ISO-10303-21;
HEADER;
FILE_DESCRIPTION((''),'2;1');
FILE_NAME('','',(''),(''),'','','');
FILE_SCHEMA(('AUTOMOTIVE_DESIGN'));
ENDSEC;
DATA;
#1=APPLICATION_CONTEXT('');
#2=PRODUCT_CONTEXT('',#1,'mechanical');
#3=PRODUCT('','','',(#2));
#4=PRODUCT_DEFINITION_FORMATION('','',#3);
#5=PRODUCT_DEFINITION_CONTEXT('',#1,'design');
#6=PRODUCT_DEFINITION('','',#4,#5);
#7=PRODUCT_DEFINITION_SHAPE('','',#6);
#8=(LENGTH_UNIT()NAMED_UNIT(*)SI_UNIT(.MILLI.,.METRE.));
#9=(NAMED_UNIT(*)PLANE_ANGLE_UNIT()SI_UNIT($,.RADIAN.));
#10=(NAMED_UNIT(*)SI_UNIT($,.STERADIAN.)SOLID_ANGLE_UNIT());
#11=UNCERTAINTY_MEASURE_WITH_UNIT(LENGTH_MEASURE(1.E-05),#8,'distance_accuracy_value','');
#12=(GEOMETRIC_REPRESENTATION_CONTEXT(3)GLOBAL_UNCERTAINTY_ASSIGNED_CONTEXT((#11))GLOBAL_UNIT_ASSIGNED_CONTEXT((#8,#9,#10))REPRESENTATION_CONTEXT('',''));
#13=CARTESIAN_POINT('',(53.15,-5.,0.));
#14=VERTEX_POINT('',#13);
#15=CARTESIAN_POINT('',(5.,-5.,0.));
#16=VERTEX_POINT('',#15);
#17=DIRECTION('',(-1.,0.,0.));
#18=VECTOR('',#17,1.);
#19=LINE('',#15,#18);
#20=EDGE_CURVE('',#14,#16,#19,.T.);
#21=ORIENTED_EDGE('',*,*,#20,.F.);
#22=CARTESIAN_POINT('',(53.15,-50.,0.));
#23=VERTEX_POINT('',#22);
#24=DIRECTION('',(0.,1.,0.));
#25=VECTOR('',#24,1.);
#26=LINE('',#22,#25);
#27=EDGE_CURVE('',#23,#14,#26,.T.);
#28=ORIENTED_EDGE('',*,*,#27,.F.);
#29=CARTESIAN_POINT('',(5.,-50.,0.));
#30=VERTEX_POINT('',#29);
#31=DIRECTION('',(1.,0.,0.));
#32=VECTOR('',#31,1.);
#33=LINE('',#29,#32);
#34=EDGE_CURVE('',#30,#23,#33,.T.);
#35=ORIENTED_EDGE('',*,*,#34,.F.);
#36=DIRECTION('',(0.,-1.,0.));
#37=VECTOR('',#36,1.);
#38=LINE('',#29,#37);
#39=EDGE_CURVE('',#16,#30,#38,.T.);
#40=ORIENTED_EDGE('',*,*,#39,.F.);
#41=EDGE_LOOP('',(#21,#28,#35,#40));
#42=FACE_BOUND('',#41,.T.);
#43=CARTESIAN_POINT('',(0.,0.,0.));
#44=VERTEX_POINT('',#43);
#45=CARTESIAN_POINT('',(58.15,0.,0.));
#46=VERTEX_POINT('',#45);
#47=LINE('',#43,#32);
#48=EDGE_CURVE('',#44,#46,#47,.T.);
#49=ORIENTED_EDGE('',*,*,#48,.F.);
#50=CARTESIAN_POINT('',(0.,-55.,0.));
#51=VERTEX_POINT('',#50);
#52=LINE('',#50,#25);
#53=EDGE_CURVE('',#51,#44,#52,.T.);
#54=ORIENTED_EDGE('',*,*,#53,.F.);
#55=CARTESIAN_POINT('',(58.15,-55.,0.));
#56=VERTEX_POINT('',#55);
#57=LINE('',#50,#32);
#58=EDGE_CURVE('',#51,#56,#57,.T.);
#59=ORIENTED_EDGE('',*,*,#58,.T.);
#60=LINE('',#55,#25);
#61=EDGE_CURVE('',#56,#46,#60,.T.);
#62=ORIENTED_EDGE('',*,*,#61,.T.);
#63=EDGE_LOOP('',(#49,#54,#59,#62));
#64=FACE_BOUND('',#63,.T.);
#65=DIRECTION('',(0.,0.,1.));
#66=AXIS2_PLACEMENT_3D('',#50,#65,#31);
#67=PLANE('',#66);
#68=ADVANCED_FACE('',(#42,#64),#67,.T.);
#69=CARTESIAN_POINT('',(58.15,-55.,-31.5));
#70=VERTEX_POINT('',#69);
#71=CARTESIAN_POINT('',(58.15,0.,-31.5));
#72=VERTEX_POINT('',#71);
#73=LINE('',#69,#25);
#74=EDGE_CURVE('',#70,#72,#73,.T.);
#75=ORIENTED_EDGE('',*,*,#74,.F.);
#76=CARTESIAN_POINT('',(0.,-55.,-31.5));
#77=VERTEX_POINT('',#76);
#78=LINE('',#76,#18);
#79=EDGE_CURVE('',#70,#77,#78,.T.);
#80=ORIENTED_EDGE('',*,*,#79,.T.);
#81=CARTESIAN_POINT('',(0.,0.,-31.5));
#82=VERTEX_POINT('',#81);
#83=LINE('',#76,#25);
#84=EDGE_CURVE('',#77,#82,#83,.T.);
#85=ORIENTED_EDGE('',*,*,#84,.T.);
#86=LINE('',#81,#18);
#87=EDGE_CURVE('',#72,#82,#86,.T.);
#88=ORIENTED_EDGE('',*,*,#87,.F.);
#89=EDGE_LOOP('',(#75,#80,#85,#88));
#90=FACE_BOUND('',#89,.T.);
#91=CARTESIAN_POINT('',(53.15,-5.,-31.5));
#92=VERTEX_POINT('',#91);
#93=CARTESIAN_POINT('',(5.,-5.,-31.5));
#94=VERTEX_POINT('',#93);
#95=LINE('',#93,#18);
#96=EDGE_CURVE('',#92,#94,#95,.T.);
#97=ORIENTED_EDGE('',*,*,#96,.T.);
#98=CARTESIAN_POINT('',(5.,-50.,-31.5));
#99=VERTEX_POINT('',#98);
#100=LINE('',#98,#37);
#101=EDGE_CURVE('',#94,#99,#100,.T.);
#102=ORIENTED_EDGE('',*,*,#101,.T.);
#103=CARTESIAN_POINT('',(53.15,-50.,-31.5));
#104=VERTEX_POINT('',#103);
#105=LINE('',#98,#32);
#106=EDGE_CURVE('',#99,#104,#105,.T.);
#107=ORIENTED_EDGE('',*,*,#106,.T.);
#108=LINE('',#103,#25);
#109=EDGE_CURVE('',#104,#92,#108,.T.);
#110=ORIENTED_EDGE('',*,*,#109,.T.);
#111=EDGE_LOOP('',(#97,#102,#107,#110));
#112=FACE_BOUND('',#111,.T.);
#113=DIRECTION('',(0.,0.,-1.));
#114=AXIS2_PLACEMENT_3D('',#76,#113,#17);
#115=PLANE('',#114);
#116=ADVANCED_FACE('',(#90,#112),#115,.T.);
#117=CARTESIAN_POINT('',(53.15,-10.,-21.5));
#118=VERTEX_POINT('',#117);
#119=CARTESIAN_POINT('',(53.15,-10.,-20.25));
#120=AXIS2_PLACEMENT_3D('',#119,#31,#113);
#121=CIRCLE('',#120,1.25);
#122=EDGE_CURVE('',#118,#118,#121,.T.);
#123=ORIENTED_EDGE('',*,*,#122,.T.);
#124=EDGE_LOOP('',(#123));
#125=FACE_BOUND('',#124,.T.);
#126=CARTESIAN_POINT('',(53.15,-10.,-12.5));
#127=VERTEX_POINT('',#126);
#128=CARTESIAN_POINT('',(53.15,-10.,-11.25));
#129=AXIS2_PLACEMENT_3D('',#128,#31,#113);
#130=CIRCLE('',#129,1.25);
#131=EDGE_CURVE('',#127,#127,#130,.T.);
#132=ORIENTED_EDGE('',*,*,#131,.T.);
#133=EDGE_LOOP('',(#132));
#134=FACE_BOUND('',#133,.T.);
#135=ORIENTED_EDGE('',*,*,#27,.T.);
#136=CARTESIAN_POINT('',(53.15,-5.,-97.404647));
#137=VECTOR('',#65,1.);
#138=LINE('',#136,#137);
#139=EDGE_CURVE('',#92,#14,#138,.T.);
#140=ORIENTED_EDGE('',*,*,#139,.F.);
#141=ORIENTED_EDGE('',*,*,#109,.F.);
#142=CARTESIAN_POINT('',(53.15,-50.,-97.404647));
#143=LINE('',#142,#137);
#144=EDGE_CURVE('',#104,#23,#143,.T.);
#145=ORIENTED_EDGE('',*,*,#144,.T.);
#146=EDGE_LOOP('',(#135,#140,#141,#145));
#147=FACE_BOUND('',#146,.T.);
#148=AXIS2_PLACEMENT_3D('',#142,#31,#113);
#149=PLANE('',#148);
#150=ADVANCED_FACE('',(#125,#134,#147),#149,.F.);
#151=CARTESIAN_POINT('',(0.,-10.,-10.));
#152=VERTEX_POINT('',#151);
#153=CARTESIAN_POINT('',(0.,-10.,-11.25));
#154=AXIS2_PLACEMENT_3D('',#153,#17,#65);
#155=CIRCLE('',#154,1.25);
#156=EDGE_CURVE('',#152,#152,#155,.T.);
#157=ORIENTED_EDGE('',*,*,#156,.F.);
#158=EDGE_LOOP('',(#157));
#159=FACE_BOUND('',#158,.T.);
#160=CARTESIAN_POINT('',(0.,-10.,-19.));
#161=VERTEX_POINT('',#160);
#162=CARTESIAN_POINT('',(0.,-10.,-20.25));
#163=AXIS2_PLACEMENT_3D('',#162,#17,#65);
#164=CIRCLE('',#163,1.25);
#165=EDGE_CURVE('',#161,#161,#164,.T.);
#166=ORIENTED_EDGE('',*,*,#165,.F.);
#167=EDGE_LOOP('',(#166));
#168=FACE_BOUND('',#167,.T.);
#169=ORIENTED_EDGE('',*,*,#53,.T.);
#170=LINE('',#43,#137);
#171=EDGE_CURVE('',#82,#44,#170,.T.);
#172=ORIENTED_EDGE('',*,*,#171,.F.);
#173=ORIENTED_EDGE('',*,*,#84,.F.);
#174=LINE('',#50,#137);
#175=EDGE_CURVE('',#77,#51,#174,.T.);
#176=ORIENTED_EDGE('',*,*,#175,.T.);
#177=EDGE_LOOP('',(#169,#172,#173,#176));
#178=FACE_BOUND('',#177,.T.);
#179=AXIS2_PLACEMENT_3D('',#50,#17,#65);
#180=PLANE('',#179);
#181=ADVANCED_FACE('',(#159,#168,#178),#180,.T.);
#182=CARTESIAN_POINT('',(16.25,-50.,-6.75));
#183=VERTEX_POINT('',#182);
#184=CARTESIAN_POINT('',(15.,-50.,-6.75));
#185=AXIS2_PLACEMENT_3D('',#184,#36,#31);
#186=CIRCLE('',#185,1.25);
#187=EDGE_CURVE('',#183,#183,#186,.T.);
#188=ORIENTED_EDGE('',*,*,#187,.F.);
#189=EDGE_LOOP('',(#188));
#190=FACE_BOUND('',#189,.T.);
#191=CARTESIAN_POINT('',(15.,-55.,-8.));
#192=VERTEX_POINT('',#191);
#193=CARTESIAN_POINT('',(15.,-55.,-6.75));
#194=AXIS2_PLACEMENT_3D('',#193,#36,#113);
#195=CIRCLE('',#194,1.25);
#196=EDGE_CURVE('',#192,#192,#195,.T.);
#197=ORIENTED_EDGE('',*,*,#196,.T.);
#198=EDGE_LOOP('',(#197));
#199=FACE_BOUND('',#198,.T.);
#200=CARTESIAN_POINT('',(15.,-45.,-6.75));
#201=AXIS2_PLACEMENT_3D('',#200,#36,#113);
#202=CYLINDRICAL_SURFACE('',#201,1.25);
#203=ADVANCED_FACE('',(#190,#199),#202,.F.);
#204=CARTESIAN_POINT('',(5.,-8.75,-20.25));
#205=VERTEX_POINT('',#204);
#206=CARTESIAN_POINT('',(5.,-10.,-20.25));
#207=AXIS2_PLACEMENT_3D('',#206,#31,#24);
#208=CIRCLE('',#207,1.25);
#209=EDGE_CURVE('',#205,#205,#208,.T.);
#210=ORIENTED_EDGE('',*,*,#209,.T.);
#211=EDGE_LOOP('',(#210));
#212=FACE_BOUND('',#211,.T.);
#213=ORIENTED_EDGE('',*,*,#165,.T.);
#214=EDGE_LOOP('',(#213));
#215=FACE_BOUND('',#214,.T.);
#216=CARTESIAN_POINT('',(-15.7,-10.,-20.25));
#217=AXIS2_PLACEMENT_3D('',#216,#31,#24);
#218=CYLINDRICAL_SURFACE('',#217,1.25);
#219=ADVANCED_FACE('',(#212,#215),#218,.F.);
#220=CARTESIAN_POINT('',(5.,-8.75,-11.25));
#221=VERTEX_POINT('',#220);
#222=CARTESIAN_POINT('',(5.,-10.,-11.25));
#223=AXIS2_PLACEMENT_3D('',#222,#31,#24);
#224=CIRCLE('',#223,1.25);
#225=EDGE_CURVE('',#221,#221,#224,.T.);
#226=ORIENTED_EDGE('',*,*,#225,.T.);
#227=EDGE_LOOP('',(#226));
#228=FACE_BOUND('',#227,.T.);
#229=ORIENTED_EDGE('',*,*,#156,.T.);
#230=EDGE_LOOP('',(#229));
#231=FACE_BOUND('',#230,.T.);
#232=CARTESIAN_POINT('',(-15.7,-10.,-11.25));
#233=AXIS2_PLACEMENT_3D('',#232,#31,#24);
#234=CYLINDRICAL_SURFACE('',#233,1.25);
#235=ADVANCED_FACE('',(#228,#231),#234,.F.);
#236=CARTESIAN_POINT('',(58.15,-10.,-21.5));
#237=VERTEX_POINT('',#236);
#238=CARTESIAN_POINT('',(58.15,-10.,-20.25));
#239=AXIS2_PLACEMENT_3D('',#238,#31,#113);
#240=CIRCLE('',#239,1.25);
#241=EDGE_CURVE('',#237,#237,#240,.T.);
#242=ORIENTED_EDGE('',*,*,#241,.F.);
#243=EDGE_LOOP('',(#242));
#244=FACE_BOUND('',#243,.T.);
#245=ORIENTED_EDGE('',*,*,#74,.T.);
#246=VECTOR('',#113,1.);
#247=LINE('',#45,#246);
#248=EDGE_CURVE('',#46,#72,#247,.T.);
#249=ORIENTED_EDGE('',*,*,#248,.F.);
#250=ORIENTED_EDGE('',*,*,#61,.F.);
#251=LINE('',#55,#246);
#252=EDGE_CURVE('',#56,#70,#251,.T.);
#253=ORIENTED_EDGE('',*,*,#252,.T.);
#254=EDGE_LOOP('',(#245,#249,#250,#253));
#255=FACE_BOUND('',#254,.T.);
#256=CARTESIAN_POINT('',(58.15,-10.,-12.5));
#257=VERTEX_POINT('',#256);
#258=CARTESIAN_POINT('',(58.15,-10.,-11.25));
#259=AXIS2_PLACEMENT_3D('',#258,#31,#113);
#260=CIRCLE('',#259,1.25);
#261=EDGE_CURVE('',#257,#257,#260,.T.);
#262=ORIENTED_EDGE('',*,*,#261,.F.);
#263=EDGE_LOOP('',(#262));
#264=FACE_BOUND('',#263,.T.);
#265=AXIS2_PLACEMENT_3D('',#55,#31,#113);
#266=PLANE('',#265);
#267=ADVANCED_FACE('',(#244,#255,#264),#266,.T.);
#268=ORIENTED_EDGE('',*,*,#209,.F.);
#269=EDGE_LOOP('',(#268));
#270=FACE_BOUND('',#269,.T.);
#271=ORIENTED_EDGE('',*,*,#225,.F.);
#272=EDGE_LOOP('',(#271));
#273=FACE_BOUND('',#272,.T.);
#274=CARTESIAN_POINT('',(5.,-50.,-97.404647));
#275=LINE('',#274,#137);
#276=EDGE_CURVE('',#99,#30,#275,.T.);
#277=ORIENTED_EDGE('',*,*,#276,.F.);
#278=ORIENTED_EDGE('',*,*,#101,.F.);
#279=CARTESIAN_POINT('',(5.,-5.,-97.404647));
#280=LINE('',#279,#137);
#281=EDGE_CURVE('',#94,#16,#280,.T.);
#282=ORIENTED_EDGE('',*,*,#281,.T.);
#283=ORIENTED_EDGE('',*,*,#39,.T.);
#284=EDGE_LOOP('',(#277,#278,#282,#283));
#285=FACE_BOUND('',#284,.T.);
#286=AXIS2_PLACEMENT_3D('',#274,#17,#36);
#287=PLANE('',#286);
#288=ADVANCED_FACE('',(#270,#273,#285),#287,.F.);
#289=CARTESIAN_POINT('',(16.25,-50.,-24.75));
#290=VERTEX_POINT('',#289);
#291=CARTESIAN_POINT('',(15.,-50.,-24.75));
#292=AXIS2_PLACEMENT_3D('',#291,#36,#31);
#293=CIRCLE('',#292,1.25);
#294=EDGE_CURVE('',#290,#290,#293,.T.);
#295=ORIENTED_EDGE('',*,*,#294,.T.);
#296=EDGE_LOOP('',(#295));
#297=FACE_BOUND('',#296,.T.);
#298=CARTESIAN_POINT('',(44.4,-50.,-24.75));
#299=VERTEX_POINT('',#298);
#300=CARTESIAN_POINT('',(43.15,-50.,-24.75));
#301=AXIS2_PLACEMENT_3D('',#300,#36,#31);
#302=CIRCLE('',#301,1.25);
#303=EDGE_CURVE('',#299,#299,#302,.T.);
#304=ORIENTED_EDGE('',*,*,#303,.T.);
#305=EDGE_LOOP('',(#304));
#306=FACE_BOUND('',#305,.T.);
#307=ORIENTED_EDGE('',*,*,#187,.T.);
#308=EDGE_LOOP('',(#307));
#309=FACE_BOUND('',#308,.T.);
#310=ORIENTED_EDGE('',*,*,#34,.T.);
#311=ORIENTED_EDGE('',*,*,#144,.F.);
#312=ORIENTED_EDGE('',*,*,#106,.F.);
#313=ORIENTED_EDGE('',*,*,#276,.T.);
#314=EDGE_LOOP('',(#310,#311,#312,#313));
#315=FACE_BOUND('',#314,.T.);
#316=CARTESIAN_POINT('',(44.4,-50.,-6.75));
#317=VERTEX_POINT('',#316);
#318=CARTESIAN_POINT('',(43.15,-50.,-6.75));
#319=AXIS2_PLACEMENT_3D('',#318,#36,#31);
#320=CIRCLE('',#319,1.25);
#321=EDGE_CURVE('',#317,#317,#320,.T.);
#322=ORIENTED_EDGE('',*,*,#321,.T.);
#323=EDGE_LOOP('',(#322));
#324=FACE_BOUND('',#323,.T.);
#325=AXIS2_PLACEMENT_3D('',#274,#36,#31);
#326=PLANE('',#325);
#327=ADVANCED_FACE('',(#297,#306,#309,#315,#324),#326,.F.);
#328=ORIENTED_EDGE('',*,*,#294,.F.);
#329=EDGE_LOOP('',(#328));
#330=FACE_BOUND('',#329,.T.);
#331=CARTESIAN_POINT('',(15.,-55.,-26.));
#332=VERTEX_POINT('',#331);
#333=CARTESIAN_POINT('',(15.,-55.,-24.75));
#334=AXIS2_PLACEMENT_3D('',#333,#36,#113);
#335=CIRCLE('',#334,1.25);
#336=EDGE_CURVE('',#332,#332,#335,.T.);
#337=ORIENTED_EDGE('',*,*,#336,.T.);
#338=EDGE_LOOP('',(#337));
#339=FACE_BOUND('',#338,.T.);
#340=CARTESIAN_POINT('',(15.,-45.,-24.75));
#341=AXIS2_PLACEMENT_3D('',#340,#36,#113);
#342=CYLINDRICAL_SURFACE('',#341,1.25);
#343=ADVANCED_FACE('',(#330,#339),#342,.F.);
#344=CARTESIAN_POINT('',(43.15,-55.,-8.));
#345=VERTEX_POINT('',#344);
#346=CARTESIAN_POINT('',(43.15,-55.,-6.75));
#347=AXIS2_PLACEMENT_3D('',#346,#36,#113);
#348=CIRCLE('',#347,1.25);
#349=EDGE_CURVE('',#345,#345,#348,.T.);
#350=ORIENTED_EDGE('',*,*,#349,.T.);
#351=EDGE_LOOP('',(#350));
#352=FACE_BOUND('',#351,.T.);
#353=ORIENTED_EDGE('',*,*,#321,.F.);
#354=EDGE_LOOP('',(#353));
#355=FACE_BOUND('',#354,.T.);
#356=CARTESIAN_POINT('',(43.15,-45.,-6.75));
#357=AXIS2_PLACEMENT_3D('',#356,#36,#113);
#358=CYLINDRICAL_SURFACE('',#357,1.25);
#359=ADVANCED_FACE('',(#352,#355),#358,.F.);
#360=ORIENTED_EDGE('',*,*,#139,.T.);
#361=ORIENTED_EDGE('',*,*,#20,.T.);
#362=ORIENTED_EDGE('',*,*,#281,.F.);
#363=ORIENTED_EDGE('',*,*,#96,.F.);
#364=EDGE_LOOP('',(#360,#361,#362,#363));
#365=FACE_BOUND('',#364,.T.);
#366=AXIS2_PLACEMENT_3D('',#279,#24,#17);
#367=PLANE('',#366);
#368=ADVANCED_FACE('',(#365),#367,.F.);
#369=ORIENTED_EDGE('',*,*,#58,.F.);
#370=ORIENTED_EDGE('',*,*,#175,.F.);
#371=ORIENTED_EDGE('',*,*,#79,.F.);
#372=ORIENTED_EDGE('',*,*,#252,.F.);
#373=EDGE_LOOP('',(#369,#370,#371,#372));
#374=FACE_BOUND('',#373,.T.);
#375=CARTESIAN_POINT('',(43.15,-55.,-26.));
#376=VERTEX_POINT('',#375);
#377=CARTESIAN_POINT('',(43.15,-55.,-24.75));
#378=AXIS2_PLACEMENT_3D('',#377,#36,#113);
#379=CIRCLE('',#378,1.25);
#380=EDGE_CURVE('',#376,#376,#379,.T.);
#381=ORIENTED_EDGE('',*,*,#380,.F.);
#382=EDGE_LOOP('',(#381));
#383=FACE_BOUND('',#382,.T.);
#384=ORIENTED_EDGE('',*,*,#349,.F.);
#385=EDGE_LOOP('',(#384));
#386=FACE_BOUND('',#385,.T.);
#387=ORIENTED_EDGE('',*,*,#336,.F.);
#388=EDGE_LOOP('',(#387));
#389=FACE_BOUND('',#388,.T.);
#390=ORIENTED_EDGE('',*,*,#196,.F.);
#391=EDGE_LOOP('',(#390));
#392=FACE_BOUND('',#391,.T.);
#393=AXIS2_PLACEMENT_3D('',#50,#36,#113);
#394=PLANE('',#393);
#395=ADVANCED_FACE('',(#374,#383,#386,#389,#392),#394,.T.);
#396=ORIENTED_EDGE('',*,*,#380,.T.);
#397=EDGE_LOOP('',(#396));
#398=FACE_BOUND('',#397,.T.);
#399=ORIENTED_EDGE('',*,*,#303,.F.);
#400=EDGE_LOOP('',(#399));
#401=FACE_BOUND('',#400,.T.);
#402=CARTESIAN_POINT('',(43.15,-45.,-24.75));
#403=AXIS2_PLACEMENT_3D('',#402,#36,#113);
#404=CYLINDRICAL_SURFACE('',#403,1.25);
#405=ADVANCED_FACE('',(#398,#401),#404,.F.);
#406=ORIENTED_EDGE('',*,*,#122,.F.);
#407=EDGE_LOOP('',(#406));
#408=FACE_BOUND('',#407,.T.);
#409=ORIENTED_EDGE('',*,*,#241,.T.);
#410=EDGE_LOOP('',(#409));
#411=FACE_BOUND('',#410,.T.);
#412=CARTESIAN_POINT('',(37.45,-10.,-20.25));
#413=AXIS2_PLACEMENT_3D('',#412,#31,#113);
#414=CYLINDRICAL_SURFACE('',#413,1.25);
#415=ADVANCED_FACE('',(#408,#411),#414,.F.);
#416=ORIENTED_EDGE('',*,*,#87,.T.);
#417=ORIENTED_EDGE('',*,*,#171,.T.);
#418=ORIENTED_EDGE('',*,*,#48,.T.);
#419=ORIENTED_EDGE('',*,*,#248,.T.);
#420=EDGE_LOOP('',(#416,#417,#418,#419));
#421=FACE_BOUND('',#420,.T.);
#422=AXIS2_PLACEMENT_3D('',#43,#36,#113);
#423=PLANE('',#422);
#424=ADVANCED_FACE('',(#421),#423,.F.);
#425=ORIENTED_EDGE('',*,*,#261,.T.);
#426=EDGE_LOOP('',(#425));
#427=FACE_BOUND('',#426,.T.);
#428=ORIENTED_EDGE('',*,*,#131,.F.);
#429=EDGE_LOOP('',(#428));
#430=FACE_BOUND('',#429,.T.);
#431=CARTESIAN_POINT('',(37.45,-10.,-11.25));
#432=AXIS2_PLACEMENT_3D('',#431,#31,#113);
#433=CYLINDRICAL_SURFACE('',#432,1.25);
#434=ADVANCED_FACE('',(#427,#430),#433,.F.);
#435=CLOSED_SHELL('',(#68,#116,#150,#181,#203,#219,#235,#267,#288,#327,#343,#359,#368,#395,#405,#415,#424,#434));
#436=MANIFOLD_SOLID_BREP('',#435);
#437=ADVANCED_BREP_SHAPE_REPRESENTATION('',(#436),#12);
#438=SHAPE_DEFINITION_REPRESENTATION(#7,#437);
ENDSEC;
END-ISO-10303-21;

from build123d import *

# Parameters (mm, degrees)
SKETCH_1_W          = 58.15
SKETCH_1_H          = 31.5
EXTRUDE_1_DEPTH     = 55
SKETCH_2_W          = 48.15
SKETCH_2_H          = 45
CUT_EXTRUDE_1_DEPTH = 31.5
SKETCH_4_R          = 1.25
CUT_EXTRUDE_2_DEPTH = 10
SKETCH_5_R          = 1.25
CUT_EXTRUDE_3_DEPTH = 10
SKETCH_6_R          = 1.25
CUT_EXTRUDE_4_DEPTH = 20.7
SKETCH_7_R          = 1.25
CUT_EXTRUDE_5_DEPTH = 20.7


with BuildPart() as part:
    # 草图1 → 凸台-拉伸1 (new body)
    with BuildSketch(Plane(origin=(0, 0, 0), x_dir=(1, 0, 0), z_dir=(0, 1, 0))):
        with Locations((29.075, 15.75)):
            Rectangle(SKETCH_1_W, SKETCH_1_H)
    extrude(amount=-EXTRUDE_1_DEPTH)

    # 草图2 → 切除-拉伸1 (cut)
    with BuildSketch(Plane.XY):
        with Locations((29.075, -27.5)):
            Rectangle(SKETCH_2_W, SKETCH_2_H)
    extrude(amount=-CUT_EXTRUDE_1_DEPTH, mode=Mode.SUBTRACT)

    # 草图4 → 切除-拉伸2 (cut)
    with BuildSketch(Plane.XZ.offset(55)):
        with Locations((15, -6.75)):
            Circle(SKETCH_4_R)
        with Locations((43.15, -6.75)):
            Circle(SKETCH_4_R)
    extrude(amount=-CUT_EXTRUDE_2_DEPTH, mode=Mode.SUBTRACT)

    # 草图5 → 切除-拉伸3 (cut)
    with BuildSketch(Plane.XZ.offset(55)):
        with Locations((43.15, -24.75)):
            Circle(SKETCH_5_R)
        with Locations((15, -24.75)):
            Circle(SKETCH_5_R)
    extrude(amount=-CUT_EXTRUDE_3_DEPTH, mode=Mode.SUBTRACT)

    # 草图6 → 切除-拉伸4 (cut)
    with BuildSketch(Plane(origin=(5, 0, 0), x_dir=(0, 0, -1), z_dir=(1, 0, 0))):
        with Locations((11.25, -10)):
            Circle(SKETCH_6_R)
        with Locations((20.25, -10)):
            Circle(SKETCH_6_R)
    extrude(amount=-CUT_EXTRUDE_4_DEPTH, mode=Mode.SUBTRACT)

    # 草图7 → 切除-拉伸5 (cut)
    with BuildSketch(Plane(origin=(58.15, 0, 0), x_dir=(0, 0, -1), z_dir=(1, 0, 0))):
        with Locations((20.25, -10)):
            Circle(SKETCH_7_R)
        with Locations((11.25, -10)):
            Circle(SKETCH_7_R)
    extrude(amount=-CUT_EXTRUDE_5_DEPTH, mode=Mode.SUBTRACT)


solid = part.part
